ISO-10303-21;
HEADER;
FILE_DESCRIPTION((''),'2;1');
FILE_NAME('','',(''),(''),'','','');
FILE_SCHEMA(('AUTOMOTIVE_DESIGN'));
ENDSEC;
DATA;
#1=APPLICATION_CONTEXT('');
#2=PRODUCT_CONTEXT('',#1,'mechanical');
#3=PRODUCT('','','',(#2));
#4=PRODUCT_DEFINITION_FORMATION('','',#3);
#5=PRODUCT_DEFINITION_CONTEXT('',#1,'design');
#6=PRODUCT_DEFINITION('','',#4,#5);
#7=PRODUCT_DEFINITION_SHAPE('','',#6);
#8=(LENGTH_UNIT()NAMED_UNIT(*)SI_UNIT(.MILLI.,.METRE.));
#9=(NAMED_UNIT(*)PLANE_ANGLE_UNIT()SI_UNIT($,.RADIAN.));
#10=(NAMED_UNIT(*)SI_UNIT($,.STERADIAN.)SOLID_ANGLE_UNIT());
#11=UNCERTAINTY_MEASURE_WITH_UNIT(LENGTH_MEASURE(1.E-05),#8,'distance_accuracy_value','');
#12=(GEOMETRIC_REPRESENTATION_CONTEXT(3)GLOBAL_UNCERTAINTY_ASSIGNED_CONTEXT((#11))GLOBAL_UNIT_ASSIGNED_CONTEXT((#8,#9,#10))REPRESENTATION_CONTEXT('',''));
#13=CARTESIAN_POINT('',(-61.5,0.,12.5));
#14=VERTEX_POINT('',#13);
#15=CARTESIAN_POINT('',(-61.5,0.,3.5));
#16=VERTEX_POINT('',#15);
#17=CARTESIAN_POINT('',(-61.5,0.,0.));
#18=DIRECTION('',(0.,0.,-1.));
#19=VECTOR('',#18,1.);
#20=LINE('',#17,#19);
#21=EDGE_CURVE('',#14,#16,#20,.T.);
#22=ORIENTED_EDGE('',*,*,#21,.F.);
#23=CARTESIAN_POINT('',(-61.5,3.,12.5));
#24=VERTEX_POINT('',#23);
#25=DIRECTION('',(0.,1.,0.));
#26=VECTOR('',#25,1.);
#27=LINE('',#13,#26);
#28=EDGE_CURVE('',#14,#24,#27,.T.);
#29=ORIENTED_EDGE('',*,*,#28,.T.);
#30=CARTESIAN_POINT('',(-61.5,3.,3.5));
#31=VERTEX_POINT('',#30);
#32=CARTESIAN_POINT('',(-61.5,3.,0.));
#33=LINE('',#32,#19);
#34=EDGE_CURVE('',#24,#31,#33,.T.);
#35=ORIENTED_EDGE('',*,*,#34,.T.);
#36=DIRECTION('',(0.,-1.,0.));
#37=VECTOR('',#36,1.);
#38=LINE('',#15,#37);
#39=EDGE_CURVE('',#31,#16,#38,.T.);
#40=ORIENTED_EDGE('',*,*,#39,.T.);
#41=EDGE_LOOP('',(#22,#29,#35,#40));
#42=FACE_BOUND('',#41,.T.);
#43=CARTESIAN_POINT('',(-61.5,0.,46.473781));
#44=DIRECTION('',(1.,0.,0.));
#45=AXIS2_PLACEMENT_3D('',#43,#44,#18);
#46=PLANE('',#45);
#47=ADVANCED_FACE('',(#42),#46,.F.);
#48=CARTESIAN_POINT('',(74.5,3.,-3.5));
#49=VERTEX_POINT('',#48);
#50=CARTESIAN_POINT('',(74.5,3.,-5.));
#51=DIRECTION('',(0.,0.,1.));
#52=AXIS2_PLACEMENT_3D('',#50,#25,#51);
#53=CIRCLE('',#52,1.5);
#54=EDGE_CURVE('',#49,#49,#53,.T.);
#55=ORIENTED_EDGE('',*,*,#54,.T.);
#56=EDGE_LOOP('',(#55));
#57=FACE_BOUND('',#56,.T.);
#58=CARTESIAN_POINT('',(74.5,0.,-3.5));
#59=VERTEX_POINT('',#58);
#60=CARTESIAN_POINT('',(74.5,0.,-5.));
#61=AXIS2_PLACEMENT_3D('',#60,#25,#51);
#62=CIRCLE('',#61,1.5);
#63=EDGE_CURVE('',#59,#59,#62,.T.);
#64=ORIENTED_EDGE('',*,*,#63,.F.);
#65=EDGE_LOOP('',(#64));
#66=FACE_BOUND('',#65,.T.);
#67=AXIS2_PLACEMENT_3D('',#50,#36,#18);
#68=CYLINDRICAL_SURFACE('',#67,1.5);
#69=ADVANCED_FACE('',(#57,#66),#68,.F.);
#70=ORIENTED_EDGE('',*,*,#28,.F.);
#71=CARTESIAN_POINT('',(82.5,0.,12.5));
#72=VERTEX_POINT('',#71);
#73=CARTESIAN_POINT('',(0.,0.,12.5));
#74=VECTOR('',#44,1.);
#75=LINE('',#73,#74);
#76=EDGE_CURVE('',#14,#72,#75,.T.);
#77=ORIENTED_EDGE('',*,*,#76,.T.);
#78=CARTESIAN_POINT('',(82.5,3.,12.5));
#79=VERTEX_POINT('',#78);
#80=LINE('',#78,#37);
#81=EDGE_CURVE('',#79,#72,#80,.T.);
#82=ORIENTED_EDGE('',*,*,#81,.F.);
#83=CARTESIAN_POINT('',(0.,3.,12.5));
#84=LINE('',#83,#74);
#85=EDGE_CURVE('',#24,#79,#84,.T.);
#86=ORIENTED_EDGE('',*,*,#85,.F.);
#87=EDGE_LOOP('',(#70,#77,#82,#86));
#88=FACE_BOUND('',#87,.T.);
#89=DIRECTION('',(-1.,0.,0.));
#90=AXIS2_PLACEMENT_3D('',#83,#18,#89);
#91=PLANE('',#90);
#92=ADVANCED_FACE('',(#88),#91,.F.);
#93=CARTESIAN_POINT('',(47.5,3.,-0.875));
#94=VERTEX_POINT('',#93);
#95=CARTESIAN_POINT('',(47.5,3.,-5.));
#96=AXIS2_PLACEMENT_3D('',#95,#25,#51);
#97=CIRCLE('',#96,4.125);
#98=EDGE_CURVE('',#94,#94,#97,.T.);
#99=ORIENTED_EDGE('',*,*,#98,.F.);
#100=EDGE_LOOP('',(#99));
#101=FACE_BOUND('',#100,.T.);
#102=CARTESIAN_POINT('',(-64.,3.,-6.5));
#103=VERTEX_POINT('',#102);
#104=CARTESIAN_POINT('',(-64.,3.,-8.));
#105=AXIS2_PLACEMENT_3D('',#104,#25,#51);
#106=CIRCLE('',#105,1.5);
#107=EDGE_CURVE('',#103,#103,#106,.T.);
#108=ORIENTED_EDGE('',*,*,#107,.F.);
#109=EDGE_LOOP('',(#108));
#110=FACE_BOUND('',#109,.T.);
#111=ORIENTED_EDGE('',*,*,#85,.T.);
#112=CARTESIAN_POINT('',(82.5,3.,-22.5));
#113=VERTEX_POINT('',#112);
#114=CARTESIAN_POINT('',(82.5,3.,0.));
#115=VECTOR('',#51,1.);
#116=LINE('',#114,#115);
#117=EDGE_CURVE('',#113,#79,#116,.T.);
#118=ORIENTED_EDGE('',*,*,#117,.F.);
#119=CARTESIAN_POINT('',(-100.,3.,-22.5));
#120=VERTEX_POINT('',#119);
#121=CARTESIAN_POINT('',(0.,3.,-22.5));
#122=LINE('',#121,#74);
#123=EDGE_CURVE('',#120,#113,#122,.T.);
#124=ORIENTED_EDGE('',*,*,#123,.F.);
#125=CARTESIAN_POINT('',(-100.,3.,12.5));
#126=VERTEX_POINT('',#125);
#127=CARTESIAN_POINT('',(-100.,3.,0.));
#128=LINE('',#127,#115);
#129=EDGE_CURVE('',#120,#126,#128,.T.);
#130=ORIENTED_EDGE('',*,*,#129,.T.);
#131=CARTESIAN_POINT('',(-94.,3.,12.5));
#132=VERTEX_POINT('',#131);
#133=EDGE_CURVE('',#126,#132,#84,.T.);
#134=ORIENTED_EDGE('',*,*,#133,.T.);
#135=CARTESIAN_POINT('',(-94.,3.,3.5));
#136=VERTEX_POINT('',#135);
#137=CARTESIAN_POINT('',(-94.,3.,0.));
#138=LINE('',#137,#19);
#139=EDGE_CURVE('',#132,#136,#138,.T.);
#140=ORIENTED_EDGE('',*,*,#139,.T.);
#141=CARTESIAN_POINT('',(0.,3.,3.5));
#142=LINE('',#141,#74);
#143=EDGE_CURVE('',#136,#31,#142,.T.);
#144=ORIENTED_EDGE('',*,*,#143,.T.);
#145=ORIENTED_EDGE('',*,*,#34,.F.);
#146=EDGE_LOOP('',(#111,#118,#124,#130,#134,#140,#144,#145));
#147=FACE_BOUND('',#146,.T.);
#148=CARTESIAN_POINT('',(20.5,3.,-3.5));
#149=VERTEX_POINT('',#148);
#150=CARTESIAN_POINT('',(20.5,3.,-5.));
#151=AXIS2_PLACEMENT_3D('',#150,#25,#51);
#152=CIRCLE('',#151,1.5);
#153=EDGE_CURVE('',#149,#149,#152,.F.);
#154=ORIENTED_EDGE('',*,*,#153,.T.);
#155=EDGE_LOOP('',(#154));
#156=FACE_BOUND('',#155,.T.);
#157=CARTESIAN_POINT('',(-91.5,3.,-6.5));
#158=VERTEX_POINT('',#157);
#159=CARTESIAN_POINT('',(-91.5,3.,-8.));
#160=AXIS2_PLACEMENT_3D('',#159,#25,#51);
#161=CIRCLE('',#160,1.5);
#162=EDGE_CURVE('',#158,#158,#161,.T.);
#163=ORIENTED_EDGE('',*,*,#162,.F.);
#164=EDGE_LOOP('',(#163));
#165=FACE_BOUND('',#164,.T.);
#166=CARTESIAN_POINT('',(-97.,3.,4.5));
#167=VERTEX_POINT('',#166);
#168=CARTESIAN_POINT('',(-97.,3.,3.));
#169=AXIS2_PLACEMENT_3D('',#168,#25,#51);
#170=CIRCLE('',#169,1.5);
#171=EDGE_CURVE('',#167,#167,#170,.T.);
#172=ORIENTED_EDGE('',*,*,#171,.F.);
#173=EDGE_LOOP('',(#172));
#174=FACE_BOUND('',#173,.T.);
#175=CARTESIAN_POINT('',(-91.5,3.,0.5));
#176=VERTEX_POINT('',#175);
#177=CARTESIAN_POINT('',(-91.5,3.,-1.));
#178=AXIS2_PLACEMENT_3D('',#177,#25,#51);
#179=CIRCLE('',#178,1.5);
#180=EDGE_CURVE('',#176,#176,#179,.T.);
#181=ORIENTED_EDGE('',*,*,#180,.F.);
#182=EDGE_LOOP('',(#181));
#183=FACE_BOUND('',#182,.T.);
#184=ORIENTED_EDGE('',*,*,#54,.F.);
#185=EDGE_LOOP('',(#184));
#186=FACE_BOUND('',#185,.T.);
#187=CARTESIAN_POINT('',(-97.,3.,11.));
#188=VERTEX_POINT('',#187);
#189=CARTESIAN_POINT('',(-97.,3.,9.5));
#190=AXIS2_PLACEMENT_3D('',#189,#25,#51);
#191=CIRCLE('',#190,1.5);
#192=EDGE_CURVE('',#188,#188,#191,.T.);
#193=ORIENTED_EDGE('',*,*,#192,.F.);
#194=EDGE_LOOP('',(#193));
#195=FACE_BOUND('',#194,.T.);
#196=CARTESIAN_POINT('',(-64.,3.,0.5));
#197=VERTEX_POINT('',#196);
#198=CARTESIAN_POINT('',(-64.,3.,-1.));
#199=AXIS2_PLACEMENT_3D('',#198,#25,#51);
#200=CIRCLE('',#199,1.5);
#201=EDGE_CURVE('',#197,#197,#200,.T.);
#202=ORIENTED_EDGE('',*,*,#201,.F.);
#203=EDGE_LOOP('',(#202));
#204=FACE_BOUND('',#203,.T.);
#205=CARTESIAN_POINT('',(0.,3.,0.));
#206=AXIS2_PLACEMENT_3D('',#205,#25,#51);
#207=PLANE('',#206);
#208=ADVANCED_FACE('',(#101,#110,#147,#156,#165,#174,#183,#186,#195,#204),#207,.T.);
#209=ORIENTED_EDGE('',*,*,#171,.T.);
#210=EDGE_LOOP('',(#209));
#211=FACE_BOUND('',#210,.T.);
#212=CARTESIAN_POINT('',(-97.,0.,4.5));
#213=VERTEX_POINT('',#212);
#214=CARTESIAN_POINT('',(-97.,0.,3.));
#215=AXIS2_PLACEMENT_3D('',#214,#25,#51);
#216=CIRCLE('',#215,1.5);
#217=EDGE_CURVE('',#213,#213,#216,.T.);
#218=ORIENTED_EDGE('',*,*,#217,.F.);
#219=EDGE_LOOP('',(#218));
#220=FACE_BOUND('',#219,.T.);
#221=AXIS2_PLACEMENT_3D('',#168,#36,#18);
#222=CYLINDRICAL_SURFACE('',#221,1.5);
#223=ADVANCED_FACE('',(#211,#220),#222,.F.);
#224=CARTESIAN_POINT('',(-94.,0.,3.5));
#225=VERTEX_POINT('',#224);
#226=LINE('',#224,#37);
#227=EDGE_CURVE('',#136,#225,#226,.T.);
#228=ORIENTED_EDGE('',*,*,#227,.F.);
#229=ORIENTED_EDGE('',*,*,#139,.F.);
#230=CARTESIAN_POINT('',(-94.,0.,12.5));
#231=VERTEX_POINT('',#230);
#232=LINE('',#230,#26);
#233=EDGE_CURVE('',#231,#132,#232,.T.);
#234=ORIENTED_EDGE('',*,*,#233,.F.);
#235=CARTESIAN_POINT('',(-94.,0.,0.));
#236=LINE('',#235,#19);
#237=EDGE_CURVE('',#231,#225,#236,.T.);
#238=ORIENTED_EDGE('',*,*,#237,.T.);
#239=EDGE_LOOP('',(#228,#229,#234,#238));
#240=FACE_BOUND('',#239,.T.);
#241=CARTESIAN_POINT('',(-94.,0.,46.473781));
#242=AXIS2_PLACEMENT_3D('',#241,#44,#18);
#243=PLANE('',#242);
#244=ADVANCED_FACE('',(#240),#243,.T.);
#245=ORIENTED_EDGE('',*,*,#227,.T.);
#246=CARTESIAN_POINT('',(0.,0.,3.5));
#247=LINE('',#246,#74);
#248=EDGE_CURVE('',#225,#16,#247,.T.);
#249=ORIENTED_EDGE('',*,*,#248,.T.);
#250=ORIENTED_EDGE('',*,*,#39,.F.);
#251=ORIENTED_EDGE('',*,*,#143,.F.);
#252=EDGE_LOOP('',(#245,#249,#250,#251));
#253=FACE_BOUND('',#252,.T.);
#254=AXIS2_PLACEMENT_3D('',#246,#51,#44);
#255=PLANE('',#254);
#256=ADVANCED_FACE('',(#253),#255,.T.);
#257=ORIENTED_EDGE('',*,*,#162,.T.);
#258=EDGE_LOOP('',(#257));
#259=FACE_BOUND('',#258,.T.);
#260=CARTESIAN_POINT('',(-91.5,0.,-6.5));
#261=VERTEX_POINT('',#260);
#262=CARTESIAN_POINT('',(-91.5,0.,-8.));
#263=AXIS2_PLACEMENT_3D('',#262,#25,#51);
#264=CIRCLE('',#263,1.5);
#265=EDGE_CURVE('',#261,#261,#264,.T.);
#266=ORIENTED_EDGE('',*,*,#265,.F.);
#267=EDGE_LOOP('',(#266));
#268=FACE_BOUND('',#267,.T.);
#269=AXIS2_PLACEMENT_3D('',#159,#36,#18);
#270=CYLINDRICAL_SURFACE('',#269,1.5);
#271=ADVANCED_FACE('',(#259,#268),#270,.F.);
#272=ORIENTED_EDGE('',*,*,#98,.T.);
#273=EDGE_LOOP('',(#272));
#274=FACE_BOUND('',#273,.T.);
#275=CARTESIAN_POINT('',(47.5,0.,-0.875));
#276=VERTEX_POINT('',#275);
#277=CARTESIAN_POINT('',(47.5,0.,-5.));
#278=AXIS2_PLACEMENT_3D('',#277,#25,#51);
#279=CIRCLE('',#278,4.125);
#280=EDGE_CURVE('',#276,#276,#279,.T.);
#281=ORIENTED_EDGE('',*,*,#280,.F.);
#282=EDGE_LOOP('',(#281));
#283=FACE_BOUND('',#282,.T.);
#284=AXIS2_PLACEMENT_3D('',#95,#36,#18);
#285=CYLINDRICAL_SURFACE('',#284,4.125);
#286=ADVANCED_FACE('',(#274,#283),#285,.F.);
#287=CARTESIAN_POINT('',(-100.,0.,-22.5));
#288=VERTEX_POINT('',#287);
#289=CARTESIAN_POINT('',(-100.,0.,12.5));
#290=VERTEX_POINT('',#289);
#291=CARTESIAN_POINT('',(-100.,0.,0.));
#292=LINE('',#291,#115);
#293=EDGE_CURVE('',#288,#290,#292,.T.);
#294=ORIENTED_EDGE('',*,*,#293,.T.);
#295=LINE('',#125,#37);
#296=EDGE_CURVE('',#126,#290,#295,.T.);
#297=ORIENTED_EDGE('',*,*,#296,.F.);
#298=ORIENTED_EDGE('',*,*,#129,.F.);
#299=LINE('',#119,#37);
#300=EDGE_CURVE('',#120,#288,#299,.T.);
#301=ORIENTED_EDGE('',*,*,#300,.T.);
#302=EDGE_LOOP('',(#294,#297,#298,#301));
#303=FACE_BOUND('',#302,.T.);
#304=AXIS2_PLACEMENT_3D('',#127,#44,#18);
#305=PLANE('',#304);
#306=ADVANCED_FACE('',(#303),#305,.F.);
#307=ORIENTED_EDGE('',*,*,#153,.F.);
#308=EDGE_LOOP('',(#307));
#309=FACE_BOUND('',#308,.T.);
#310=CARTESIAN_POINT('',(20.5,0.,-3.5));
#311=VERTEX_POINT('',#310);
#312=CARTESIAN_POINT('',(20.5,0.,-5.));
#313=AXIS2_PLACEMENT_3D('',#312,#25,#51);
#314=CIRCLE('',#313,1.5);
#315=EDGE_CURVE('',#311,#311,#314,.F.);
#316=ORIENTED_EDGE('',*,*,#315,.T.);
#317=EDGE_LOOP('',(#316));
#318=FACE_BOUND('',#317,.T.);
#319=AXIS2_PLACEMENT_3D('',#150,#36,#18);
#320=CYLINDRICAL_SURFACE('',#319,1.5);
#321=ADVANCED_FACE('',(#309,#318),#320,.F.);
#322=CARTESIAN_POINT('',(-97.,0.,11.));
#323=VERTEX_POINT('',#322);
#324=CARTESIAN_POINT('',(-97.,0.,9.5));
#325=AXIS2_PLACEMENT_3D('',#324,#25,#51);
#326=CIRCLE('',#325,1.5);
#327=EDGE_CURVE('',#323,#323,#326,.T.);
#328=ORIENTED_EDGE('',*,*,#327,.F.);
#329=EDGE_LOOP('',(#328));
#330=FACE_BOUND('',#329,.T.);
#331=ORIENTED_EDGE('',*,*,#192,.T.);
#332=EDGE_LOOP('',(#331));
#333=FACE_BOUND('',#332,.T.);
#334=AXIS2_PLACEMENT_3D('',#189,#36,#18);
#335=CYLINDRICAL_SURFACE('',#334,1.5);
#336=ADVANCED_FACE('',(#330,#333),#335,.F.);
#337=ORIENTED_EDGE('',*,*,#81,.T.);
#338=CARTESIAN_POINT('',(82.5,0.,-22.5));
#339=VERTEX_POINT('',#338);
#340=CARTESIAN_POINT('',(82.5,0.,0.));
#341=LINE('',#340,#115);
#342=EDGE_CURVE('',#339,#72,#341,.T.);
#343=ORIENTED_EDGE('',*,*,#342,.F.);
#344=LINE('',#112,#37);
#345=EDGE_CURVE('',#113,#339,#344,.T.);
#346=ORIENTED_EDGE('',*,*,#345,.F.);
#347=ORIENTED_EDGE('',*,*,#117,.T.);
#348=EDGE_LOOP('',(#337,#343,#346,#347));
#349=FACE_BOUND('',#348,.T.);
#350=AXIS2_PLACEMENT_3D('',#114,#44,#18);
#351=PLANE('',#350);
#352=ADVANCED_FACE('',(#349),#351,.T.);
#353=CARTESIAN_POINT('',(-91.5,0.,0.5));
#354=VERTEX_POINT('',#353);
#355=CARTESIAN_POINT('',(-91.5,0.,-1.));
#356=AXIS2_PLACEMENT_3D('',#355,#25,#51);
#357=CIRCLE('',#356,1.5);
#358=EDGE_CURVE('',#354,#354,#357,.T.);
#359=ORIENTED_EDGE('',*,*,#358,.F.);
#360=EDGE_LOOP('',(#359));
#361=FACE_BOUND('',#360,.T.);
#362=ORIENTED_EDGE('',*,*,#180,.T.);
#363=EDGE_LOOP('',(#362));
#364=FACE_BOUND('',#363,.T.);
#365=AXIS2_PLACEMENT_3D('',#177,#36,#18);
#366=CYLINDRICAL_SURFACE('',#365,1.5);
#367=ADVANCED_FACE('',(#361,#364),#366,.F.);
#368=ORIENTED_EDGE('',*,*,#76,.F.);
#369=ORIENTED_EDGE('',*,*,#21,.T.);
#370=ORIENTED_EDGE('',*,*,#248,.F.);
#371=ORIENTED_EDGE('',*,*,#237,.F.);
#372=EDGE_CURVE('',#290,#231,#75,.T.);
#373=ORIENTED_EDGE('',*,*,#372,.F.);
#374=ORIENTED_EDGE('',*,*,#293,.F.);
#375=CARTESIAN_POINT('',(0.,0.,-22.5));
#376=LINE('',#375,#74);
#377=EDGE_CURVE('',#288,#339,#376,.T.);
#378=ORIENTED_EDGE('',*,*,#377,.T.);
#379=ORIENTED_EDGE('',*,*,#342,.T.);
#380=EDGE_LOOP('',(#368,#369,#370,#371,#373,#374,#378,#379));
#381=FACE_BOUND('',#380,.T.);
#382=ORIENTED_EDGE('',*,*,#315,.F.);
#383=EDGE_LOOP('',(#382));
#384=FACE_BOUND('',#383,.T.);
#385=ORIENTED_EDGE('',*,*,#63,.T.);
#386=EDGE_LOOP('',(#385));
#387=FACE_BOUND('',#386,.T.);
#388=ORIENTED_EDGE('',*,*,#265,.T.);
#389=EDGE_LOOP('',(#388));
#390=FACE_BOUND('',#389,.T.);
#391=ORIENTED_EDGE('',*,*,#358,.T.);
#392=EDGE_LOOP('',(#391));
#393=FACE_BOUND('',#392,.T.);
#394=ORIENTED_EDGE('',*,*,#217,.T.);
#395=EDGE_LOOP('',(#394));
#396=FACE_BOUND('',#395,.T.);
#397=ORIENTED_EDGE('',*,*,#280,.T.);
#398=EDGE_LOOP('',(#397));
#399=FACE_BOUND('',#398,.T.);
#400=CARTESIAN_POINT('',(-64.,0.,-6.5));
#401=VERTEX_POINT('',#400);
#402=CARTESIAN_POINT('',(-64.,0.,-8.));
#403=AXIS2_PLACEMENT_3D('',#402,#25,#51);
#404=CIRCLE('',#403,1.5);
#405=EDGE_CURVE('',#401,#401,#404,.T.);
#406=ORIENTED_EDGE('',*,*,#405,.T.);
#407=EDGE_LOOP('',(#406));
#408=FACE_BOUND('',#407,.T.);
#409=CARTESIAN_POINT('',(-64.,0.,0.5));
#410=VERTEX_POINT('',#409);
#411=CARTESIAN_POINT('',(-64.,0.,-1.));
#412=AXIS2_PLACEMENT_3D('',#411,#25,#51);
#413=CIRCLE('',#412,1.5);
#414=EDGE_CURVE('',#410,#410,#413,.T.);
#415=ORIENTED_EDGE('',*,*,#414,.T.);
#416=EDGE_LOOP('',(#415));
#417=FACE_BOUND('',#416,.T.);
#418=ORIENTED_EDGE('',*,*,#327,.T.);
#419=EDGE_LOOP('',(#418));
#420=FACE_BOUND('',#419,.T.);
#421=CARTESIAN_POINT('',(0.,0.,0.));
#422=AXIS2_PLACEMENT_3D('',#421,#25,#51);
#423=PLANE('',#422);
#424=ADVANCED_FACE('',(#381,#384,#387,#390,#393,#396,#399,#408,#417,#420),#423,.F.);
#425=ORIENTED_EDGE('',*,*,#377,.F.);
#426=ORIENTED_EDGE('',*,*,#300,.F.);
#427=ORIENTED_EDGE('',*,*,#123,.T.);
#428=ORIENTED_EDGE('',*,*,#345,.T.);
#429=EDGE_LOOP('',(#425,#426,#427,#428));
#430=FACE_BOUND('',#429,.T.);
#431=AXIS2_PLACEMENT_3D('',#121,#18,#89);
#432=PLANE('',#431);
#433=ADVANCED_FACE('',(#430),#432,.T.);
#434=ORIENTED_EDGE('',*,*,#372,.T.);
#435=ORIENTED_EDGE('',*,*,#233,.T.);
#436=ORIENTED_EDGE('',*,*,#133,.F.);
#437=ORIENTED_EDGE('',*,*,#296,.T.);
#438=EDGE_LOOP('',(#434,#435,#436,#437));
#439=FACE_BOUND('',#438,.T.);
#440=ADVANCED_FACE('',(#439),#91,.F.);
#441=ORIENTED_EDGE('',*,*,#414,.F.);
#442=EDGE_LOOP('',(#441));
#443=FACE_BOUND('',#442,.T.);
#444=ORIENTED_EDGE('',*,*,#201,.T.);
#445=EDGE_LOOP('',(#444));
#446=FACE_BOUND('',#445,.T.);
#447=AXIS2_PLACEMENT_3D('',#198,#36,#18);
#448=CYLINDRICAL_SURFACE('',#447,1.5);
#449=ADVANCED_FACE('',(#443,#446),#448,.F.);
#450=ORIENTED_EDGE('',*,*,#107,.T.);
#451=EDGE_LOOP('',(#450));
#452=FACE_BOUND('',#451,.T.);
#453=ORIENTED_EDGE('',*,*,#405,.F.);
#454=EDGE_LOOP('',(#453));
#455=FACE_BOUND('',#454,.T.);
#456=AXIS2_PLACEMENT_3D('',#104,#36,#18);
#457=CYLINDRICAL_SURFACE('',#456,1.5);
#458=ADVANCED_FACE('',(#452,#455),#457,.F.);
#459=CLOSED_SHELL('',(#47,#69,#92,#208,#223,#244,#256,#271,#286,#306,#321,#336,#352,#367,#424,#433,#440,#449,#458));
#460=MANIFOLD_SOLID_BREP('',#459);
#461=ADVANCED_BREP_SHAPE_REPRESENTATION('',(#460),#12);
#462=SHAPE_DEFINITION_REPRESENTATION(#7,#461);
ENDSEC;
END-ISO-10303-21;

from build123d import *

# Parameters (mm, degrees)
SKETCH1_W           = 182.5
SKETCH1_H           = 35
SKETCH1_R           = 4.125
SKETCH1_R_2         = 1.5
BOSS_EXTRUDE1_DEPTH = 3
CUT_EXTRUDE3_START  = 3.5
SKETCH2_W           = 3
SKETCH2_H           = 9.897866997
SKETCH2_W_2         = 27.5
SKETCH2_W_3         = 2
CUT_EXTRUDE3_DEPTH  = 9


with BuildPart() as part:
    # Sketch1 → Boss-Extrude1 (new body)
    with BuildSketch(Plane(origin=(0, 0, 0), x_dir=(1, 0, 0), z_dir=(0, 1, 0))):
        with Locations((-8.75, 5)):
            Rectangle(SKETCH1_W, SKETCH1_H)
        with Locations((47.5, 5)):
            Circle(SKETCH1_R, mode=Mode.SUBTRACT)
        with Locations((74.5, 5)):
            Circle(SKETCH1_R_2, mode=Mode.SUBTRACT)
        with Locations((20.5, 5)):
            Circle(SKETCH1_R_2, mode=Mode.SUBTRACT)
        with Locations((-97, -9.5)):
            Circle(SKETCH1_R_2, mode=Mode.SUBTRACT)
        with Locations((-97, -3)):
            Circle(SKETCH1_R_2, mode=Mode.SUBTRACT)
        with Locations((-91.5, 8)):
            Circle(SKETCH1_R_2, mode=Mode.SUBTRACT)
        with Locations((-64, 8)):
            Circle(SKETCH1_R_2, mode=Mode.SUBTRACT)
        with Locations((-64, 1)):
            Circle(SKETCH1_R_2, mode=Mode.SUBTRACT)
        with Locations((-91.5, 1)):
            Circle(SKETCH1_R_2, mode=Mode.SUBTRACT)
    extrude(amount=BOSS_EXTRUDE1_DEPTH)

    # Sketch2 → Cut-Extrude3 (cut)
    with BuildSketch(Plane.XY.offset(CUT_EXTRUDE3_START)):
        with Locations((-90.5, 1.550857661)):
            Rectangle(SKETCH2_W, SKETCH2_H)
        with Locations((-75.25, 1.550857661)):
            Rectangle(SKETCH2_W_2, SKETCH2_H)
        with Locations((-93, 1.550857661)):
            Rectangle(SKETCH2_W_3, SKETCH2_H)
    extrude(amount=CUT_EXTRUDE3_DEPTH, mode=Mode.SUBTRACT)


solid = part.part
